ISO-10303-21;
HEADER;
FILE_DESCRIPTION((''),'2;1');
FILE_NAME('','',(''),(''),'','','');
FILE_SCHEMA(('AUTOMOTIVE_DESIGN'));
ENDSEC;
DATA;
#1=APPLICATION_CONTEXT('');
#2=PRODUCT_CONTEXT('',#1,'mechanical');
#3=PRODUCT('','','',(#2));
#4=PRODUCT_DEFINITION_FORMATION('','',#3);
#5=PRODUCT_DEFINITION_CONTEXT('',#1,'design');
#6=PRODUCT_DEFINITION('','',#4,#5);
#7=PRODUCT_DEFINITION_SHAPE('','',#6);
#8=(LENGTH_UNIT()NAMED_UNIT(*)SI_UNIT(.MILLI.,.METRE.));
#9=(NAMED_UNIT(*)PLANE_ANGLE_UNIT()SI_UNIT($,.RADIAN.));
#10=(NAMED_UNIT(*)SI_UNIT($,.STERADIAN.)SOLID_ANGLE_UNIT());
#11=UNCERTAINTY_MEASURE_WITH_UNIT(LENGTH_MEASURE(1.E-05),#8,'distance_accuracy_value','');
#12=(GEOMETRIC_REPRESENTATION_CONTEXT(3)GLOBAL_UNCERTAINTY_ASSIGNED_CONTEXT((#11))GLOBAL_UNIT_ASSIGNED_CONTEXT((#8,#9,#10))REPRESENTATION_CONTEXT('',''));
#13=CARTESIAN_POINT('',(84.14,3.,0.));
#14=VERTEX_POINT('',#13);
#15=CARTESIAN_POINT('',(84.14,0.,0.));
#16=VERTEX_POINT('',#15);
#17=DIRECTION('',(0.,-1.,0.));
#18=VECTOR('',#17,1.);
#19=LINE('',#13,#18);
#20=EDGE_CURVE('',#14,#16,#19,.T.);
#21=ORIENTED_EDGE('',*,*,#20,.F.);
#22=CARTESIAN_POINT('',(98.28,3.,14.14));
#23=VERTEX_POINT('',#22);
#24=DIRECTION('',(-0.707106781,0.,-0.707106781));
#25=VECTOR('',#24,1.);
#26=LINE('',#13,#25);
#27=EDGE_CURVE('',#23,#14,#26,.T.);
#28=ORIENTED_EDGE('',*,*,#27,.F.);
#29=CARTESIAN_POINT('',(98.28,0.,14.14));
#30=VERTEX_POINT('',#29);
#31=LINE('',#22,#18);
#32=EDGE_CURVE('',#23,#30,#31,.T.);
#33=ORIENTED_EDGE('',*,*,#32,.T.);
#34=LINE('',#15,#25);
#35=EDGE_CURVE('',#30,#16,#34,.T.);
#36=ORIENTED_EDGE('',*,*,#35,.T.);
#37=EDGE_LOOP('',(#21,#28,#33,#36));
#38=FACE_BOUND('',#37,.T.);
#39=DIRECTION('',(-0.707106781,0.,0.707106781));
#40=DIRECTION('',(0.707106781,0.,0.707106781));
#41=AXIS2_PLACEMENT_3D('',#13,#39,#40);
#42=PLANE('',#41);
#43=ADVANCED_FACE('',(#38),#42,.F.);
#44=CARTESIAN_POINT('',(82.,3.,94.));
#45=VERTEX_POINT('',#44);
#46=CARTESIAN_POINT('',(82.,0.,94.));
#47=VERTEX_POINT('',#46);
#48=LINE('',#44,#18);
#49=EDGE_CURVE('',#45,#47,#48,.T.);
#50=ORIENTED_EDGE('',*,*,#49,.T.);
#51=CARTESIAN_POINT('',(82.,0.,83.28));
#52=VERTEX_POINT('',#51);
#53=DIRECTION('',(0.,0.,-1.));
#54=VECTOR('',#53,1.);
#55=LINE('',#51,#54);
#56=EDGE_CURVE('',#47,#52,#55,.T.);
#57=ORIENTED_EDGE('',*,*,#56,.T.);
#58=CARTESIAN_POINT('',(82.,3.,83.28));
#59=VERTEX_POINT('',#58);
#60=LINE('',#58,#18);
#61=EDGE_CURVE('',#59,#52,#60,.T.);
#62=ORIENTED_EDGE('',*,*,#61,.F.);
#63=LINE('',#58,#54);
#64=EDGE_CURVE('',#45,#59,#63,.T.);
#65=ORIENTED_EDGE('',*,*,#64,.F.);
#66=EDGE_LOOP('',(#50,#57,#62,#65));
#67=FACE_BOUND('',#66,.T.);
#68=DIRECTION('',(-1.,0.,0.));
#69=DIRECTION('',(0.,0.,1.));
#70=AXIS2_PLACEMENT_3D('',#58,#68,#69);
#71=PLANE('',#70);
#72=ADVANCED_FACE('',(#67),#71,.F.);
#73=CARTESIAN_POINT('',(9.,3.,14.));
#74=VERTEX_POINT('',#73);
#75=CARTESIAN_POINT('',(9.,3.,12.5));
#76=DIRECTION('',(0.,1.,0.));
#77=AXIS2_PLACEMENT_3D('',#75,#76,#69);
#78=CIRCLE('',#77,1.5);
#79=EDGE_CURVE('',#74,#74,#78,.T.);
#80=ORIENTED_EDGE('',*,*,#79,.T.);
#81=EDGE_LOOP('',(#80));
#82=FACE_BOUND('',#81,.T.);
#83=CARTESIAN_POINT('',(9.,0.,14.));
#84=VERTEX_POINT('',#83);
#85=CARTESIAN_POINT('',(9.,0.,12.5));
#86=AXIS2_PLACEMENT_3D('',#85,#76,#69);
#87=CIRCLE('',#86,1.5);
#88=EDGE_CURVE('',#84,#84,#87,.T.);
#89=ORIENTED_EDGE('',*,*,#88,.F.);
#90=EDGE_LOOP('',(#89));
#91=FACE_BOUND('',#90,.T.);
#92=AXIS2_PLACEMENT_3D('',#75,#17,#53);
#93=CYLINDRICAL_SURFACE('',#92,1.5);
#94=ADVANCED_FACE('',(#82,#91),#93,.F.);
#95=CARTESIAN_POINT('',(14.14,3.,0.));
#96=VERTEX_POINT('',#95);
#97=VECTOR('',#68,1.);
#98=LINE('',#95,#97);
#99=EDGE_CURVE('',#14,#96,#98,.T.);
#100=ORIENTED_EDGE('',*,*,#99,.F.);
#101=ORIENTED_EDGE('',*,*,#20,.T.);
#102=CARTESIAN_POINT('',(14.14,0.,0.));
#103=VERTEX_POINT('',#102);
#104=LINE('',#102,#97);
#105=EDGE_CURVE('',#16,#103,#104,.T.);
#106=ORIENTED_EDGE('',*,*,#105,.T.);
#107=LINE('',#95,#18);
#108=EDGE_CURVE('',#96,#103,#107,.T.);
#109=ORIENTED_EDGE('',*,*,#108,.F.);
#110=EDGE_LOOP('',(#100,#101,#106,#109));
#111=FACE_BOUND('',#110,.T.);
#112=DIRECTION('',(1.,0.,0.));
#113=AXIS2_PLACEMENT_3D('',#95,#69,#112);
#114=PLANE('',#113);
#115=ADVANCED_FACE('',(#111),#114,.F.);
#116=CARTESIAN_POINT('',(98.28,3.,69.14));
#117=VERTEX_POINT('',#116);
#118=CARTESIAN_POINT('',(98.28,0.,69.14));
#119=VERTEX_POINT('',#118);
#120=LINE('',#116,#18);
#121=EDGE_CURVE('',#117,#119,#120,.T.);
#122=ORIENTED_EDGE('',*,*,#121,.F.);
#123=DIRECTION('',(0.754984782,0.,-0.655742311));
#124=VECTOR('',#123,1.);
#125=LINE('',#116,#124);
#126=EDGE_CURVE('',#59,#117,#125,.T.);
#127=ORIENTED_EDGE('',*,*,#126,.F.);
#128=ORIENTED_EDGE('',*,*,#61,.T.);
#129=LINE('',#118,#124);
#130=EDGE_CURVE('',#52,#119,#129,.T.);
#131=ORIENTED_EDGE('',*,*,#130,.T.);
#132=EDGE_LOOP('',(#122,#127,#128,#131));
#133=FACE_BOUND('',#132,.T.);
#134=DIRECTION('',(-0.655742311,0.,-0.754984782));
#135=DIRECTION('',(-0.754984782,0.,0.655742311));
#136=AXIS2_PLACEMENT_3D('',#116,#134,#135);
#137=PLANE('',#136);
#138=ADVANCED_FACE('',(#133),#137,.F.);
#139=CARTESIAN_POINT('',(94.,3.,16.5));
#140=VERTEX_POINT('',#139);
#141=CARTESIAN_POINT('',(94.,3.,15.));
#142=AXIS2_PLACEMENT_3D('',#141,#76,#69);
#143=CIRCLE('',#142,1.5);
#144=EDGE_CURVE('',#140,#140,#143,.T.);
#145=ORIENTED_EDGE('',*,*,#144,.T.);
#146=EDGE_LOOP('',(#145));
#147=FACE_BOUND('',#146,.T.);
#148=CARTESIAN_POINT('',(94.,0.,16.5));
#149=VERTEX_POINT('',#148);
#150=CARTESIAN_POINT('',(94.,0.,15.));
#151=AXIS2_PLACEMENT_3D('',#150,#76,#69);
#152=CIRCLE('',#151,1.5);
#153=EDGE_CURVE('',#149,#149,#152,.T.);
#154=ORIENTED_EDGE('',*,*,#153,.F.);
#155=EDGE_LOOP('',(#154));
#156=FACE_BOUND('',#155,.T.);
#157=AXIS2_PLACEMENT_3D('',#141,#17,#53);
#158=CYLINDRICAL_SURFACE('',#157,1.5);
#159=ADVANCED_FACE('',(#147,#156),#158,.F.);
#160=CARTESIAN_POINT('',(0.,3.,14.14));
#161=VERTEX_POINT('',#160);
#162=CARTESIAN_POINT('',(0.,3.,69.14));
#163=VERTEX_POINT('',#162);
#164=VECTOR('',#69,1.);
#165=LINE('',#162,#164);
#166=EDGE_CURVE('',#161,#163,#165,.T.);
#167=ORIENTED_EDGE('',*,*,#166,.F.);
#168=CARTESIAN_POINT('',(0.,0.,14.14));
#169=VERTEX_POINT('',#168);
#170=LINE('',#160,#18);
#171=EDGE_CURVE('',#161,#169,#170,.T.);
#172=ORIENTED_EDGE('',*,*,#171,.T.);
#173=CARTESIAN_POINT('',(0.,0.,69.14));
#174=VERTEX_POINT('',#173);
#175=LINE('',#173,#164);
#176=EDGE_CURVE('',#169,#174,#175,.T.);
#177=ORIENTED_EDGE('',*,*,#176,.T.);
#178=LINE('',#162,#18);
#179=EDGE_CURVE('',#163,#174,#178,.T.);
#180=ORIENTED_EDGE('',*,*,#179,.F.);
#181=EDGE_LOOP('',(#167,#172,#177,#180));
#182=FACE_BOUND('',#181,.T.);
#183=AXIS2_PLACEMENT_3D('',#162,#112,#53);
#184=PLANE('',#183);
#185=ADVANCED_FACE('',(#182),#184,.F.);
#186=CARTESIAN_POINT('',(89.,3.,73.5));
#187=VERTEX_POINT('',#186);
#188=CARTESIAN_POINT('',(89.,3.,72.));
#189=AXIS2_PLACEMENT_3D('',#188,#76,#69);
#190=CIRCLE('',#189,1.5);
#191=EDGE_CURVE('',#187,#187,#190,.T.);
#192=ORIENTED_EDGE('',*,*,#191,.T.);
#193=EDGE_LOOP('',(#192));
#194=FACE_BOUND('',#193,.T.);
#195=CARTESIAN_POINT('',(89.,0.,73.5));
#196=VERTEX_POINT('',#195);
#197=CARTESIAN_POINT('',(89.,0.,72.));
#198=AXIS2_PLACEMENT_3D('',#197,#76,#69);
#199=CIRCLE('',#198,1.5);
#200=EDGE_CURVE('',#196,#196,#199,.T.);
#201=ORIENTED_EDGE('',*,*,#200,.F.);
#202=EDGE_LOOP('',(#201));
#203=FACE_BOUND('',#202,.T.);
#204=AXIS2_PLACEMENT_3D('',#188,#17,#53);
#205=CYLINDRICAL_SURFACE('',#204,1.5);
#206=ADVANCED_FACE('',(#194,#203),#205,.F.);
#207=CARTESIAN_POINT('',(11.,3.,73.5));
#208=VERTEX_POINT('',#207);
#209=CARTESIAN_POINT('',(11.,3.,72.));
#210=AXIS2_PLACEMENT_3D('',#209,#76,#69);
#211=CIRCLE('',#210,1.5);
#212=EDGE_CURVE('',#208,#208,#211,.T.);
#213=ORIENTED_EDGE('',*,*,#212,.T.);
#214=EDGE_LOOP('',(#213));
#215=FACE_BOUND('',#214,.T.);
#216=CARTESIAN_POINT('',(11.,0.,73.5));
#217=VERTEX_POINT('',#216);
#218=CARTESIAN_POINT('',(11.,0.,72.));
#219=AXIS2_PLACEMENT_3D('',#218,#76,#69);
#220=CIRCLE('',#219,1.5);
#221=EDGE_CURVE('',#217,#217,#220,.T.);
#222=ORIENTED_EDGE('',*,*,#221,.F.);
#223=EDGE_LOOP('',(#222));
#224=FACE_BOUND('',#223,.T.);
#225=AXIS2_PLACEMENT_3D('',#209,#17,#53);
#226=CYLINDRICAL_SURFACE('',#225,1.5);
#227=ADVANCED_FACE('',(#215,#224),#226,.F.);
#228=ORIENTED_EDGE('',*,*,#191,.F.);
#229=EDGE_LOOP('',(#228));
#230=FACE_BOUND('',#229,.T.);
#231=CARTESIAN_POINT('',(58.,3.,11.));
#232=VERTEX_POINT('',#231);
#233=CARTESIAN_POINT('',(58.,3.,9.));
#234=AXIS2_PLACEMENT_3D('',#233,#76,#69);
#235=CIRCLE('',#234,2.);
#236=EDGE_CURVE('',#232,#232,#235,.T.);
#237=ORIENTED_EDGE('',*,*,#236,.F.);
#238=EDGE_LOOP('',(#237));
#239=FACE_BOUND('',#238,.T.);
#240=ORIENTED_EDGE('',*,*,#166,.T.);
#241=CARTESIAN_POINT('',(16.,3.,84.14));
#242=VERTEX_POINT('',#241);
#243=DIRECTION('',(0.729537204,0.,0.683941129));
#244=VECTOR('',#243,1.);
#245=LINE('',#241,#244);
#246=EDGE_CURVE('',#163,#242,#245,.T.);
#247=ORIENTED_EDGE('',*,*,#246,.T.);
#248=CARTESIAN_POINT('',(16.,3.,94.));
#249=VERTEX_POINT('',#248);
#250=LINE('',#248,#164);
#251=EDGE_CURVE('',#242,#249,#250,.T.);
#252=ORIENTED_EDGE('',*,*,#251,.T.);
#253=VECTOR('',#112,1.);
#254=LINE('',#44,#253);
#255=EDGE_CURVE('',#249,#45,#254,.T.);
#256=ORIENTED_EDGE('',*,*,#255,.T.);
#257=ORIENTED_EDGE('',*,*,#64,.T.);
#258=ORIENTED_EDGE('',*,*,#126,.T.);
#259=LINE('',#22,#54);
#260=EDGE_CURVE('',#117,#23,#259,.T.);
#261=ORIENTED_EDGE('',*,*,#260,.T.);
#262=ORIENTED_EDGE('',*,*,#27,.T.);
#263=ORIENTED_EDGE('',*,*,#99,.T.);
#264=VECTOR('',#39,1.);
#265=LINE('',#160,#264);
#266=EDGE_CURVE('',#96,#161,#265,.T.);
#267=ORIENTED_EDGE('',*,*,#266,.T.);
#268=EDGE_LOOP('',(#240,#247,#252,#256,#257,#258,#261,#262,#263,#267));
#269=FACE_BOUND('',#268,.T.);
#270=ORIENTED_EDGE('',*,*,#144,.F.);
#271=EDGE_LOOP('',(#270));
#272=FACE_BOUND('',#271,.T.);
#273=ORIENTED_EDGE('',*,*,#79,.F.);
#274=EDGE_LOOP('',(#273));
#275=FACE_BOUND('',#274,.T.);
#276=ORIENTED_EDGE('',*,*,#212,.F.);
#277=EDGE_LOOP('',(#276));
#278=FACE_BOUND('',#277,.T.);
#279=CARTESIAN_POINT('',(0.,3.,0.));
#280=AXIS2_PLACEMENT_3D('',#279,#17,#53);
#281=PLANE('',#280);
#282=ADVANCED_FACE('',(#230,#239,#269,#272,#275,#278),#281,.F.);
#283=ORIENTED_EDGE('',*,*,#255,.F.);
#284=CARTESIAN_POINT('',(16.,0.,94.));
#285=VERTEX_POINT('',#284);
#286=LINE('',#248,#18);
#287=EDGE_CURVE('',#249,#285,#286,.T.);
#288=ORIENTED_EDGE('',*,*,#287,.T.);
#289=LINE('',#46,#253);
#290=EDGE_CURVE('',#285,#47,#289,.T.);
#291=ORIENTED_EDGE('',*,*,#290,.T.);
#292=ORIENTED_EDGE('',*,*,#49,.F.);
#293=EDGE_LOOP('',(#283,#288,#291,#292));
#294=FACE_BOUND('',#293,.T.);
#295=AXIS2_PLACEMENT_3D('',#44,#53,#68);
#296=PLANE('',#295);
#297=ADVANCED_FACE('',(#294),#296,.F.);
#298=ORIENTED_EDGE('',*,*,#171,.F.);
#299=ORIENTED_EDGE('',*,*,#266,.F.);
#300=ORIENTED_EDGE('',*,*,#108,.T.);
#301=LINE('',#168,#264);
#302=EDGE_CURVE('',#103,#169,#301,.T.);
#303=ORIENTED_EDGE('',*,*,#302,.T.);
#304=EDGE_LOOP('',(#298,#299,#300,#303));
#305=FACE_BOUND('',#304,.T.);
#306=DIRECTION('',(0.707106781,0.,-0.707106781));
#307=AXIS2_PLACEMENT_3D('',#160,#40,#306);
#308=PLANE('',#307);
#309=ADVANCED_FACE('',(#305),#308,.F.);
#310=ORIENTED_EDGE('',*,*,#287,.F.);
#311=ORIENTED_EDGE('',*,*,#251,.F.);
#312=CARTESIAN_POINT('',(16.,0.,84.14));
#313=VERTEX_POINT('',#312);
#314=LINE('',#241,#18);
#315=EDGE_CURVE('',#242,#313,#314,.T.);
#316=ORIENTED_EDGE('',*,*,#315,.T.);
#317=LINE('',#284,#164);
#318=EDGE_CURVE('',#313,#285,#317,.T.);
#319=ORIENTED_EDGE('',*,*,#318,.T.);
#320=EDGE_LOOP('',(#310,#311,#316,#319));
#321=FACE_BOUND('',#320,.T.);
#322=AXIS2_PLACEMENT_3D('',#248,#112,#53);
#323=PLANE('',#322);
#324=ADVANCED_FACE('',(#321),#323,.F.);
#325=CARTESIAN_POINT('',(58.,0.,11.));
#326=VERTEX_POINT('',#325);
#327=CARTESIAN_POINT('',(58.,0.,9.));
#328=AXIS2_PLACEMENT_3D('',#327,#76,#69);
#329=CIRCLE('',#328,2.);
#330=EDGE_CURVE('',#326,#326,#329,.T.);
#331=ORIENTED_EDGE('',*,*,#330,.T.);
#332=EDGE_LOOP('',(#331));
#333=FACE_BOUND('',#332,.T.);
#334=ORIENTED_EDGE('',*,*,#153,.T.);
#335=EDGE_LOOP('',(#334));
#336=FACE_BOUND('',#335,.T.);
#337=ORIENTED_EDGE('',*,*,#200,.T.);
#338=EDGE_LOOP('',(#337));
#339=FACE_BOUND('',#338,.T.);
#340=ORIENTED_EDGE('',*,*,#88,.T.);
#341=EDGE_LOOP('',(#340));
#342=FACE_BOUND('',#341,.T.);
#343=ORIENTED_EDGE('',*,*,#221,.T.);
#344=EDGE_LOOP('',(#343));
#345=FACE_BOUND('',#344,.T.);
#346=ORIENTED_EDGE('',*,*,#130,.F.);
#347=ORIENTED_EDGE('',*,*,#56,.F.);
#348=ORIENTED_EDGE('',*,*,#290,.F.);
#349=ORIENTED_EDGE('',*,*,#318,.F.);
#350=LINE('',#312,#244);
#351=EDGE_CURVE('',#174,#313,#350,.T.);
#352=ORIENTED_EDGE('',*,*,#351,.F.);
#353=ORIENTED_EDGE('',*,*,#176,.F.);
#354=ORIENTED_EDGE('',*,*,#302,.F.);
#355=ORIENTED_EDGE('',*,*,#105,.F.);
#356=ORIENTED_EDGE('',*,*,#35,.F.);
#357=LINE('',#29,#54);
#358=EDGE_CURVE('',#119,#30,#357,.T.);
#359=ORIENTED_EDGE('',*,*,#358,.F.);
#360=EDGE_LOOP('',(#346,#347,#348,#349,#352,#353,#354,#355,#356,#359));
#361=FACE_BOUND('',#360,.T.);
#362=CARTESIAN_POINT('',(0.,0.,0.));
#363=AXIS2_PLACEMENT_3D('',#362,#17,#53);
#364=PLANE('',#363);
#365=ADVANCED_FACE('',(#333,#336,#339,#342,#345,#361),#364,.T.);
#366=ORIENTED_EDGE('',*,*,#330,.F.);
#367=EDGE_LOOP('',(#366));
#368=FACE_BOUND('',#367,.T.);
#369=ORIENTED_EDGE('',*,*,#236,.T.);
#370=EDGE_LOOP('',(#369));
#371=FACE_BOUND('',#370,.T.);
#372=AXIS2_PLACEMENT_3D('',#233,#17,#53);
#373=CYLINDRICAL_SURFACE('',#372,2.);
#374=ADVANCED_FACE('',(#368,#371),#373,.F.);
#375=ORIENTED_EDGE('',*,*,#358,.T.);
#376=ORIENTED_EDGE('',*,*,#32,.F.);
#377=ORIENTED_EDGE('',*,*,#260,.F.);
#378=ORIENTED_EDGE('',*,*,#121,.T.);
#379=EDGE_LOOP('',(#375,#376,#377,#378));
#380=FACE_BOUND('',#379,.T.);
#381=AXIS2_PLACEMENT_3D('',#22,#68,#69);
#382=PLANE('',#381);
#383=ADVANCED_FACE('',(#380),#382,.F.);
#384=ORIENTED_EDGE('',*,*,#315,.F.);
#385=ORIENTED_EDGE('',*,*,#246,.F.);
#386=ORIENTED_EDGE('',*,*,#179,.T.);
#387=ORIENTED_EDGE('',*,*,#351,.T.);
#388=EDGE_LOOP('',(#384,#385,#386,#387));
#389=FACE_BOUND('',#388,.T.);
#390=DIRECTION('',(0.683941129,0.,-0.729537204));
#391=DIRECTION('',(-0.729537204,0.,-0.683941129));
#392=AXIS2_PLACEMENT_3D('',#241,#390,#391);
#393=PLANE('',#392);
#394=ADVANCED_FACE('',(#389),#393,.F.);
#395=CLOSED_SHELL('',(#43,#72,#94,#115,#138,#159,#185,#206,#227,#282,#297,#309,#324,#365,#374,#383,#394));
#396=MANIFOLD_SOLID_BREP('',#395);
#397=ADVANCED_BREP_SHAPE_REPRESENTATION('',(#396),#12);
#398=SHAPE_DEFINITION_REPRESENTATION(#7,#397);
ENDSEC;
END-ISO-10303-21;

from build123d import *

# Parameters (mm, degrees)
SKETCH_1_R      = 1.5
SKETCH_1_R_2    = 2
EXTRUDE_1_DEPTH = 3


with BuildPart() as part:
    # 草图1 → 凸台-拉伸1 (new body)
    with BuildSketch(Plane(origin=(0, 0, 0), x_dir=(1, 0, 0), z_dir=(0, 1, 0))):
        Polygon((14.14, 0), (84.14, 0), (98.28, -14.14), (98.28, -69.14), (82, -83.28), (82, -94), (16, -94), (16, -84.14), (0, -69.14), (0, -14.14), align=None)
        with Locations(Location((9, -12.5, 0), (0, 0, 270))):
            Circle(SKETCH_1_R, mode=Mode.SUBTRACT)
        with Locations(Location((94, -15, 0), (0, 0, 270))):
            Circle(SKETCH_1_R, mode=Mode.SUBTRACT)
        with Locations(Location((11, -72, 0), (0, 0, 270))):
            Circle(SKETCH_1_R, mode=Mode.SUBTRACT)
        with Locations(Location((89, -72, 0), (0, 0, 270))):
            Circle(SKETCH_1_R, mode=Mode.SUBTRACT)
        with Locations(Location((58, -9, 0), (0, 0, 270))):
            Circle(SKETCH_1_R_2, mode=Mode.SUBTRACT)
    extrude(amount=EXTRUDE_1_DEPTH)


solid = part.part
